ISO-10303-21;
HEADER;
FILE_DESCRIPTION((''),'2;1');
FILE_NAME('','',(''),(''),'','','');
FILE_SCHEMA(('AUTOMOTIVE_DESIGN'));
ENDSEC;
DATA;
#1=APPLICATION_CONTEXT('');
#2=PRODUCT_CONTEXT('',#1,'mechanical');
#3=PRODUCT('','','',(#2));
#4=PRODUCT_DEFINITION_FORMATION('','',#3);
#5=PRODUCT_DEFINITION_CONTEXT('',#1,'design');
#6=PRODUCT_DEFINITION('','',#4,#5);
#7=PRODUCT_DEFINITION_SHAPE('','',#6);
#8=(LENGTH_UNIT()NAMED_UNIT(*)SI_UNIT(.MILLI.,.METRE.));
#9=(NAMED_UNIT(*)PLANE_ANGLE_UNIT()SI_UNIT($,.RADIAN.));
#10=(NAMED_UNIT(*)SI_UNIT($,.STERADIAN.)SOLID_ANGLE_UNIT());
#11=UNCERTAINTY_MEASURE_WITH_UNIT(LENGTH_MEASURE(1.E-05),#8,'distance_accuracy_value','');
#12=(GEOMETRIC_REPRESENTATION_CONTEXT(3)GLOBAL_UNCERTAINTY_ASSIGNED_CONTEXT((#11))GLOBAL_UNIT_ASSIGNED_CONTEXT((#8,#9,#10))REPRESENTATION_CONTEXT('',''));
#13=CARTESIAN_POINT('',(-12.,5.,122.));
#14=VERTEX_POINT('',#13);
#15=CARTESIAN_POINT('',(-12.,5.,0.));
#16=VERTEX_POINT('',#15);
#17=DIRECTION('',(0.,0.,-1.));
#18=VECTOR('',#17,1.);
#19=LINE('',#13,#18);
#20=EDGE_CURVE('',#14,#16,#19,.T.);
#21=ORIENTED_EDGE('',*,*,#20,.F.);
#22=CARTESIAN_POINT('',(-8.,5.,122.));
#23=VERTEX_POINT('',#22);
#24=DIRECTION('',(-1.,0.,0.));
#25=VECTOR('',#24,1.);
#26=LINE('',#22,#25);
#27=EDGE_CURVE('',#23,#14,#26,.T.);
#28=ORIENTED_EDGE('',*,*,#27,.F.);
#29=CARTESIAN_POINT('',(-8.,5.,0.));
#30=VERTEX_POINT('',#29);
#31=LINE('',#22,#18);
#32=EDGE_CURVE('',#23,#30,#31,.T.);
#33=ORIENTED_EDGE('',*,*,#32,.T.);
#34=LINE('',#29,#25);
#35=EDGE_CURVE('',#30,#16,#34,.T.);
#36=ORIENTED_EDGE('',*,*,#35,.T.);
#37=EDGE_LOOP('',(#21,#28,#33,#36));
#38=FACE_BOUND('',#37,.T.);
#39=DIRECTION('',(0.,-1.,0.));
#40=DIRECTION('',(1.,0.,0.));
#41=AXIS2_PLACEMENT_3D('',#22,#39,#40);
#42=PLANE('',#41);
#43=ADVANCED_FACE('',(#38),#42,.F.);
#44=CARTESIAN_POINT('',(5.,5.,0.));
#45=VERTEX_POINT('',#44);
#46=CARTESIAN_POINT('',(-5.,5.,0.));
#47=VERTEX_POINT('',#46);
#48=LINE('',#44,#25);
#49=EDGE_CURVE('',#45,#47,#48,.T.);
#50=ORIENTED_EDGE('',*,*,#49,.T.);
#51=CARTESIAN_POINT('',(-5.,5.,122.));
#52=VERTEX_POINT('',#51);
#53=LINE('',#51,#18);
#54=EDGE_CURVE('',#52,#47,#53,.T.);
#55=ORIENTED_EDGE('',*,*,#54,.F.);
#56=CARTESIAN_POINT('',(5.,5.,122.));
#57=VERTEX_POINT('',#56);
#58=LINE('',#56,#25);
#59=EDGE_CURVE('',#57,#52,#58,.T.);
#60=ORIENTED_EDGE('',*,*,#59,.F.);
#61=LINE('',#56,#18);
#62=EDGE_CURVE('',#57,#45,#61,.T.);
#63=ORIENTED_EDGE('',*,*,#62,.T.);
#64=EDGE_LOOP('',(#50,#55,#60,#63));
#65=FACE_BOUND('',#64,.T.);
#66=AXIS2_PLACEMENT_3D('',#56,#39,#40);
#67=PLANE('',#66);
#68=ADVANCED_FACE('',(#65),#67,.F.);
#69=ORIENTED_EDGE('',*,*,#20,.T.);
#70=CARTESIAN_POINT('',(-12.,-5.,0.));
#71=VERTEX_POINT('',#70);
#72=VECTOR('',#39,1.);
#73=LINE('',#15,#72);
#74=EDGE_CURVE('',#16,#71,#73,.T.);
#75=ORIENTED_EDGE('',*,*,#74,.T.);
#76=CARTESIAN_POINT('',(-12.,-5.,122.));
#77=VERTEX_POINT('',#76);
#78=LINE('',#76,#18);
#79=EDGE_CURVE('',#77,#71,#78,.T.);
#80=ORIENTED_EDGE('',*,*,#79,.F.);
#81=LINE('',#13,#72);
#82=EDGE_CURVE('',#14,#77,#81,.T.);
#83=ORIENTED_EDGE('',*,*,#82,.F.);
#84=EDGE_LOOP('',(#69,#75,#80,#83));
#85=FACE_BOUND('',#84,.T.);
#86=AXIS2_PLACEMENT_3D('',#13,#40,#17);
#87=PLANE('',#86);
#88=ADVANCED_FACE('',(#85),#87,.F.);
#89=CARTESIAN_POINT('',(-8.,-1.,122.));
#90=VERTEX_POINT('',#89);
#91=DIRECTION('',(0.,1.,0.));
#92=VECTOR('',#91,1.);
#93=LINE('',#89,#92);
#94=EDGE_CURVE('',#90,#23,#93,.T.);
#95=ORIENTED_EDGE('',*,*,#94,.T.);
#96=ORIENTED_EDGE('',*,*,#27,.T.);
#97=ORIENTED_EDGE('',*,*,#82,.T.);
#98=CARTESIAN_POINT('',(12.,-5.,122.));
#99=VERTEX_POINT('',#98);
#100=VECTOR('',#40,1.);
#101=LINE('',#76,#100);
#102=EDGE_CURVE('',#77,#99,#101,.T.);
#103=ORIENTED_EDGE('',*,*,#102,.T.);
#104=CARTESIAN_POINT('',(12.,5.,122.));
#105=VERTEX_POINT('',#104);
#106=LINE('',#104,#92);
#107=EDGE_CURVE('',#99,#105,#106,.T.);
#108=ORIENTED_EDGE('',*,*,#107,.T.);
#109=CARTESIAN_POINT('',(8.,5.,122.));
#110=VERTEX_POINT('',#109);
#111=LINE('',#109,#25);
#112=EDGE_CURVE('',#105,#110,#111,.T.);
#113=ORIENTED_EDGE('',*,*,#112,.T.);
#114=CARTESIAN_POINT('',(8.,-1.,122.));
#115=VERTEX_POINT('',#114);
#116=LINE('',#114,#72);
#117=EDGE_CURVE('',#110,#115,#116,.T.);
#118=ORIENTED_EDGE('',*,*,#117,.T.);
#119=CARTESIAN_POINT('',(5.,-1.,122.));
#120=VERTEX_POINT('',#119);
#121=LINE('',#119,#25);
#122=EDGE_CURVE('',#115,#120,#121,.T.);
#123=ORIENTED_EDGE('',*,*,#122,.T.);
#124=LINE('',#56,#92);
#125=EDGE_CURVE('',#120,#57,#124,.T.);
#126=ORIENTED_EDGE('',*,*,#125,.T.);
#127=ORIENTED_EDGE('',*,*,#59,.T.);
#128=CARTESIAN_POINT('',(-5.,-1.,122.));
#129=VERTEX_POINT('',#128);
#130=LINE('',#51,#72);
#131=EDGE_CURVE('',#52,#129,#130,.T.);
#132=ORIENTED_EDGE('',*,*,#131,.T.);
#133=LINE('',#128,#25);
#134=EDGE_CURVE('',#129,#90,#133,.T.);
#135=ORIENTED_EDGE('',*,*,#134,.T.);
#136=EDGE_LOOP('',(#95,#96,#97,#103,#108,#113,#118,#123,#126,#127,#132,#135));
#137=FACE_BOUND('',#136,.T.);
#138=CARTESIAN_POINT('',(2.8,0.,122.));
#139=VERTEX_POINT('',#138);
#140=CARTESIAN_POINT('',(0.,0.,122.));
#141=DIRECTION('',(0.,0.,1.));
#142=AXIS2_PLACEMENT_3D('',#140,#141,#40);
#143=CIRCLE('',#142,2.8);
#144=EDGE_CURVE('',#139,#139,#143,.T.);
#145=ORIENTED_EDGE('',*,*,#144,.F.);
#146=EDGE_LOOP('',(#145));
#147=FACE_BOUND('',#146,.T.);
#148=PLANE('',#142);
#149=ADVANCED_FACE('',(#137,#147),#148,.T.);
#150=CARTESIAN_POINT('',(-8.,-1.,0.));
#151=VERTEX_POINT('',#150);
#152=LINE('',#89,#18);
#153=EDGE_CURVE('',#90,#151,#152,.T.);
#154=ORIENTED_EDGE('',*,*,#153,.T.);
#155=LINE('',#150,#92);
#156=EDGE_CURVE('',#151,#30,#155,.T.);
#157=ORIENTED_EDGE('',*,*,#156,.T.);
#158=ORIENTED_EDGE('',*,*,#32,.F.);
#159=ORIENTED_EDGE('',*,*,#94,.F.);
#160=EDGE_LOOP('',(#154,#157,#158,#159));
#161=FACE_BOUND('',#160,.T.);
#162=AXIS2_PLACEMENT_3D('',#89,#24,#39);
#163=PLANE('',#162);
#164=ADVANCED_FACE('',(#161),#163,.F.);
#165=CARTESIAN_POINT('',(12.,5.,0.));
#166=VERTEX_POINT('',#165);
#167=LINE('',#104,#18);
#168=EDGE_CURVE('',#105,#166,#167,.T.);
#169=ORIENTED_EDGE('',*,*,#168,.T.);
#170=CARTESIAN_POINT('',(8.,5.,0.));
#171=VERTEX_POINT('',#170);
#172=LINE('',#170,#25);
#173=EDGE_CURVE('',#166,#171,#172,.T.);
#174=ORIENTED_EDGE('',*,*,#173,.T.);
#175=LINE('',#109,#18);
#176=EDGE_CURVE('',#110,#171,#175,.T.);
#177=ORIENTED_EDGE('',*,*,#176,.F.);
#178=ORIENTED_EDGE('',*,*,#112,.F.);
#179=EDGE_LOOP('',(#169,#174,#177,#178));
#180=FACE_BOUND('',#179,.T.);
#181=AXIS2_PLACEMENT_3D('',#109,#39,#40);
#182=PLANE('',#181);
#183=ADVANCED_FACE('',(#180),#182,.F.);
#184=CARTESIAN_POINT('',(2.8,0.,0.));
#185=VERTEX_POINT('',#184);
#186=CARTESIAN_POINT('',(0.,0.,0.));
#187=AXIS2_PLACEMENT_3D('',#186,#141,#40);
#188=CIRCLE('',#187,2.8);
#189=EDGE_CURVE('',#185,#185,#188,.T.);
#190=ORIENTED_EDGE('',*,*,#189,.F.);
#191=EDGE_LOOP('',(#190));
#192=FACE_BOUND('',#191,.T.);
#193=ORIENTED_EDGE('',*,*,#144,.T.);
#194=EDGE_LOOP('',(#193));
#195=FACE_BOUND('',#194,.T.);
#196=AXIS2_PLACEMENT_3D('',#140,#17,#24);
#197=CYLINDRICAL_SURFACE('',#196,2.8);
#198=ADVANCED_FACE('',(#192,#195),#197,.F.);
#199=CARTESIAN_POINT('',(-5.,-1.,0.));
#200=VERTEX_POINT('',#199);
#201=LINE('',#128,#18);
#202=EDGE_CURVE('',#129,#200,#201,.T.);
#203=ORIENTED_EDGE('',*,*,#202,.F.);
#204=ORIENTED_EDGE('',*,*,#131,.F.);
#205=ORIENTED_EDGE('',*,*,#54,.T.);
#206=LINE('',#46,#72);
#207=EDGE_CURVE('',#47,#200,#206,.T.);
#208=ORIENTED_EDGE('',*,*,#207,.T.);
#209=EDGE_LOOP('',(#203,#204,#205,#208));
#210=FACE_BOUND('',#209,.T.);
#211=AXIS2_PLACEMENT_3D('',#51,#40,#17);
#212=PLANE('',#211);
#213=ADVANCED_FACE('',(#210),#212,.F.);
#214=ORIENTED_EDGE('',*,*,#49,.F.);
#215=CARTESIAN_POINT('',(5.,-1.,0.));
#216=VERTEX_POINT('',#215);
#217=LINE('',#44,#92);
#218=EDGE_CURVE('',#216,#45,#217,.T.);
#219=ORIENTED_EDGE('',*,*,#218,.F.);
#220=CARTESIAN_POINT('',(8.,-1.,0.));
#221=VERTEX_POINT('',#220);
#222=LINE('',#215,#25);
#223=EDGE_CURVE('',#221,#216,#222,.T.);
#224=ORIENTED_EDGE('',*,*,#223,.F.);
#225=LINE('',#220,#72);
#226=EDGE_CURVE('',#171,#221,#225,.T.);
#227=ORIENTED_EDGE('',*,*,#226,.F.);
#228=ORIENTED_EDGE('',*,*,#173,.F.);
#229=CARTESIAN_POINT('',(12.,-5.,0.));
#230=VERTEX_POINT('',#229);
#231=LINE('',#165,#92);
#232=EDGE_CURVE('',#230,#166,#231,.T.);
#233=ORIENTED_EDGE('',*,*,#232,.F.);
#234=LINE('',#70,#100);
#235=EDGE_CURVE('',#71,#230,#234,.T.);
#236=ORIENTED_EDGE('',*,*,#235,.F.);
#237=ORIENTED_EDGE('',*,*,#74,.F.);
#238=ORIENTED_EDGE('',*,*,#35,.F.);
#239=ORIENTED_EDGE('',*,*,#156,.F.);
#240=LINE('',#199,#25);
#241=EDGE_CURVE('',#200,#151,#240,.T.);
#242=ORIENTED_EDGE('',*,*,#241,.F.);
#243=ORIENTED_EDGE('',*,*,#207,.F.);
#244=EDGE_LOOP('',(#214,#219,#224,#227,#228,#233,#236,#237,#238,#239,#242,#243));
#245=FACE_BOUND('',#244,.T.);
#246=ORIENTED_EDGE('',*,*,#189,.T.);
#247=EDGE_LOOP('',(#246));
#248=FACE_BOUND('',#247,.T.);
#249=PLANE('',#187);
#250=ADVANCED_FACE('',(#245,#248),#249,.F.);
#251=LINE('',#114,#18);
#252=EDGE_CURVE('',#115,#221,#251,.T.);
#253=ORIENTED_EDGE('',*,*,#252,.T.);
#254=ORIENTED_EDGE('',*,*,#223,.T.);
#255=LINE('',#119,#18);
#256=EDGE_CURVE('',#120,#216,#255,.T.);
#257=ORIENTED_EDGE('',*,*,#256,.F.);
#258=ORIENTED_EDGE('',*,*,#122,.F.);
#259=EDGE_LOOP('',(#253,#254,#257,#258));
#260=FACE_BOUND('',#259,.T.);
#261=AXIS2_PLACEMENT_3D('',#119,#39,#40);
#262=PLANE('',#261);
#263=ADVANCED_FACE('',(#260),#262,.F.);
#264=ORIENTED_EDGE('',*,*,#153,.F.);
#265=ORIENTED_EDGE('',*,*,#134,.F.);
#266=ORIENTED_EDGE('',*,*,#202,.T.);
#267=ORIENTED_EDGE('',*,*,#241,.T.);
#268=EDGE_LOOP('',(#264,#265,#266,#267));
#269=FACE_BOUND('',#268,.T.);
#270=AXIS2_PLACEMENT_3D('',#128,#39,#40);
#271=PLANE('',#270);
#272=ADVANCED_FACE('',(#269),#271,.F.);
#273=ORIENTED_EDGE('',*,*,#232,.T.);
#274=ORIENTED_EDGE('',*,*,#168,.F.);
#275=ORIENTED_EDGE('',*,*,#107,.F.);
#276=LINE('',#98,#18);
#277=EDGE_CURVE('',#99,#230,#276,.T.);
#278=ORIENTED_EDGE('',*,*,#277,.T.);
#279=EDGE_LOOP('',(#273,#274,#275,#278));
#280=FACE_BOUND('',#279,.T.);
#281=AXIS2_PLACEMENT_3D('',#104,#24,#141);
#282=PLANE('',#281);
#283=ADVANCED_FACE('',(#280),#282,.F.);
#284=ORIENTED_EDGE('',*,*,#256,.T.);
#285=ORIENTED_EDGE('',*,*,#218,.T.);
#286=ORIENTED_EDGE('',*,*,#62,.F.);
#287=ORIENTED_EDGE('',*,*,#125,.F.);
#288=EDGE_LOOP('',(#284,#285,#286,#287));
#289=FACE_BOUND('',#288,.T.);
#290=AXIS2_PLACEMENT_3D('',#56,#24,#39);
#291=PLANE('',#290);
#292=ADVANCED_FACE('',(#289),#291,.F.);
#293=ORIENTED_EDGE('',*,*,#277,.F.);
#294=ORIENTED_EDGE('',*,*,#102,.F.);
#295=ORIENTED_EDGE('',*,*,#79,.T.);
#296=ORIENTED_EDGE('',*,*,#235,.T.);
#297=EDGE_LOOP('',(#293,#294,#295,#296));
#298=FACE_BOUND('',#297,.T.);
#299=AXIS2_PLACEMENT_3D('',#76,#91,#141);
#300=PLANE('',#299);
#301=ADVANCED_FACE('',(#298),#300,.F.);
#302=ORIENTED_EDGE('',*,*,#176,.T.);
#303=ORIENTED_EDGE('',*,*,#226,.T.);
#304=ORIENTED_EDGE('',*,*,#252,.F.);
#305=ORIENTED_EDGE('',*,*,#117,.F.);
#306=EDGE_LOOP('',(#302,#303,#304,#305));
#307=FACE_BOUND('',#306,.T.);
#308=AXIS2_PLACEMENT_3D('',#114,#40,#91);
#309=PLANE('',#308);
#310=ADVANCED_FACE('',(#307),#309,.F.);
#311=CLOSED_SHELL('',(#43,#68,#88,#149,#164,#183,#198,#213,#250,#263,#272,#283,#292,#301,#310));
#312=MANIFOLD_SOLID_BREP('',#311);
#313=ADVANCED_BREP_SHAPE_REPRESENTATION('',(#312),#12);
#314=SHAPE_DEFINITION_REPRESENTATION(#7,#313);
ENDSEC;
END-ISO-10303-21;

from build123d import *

# Parameters (mm, degrees)
ESQUISSE1_R        = 2.8
BOSS_EXTRU_1_DEPTH = 122


with BuildPart() as part:
    # Esquisse1 → Boss.-Extru.1 (new body)
    with BuildSketch(Plane.XY):
        Polygon((-12, 5), (-12, -5), (12, -5), (12, 5), (8, 5), (8, -1), (5, -1), (5, 5), (-5, 5), (-5, -1), (-8, -1), (-8, 5), align=None)
        Circle(ESQUISSE1_R, mode=Mode.SUBTRACT)
    extrude(amount=BOSS_EXTRU_1_DEPTH)


solid = part.part
